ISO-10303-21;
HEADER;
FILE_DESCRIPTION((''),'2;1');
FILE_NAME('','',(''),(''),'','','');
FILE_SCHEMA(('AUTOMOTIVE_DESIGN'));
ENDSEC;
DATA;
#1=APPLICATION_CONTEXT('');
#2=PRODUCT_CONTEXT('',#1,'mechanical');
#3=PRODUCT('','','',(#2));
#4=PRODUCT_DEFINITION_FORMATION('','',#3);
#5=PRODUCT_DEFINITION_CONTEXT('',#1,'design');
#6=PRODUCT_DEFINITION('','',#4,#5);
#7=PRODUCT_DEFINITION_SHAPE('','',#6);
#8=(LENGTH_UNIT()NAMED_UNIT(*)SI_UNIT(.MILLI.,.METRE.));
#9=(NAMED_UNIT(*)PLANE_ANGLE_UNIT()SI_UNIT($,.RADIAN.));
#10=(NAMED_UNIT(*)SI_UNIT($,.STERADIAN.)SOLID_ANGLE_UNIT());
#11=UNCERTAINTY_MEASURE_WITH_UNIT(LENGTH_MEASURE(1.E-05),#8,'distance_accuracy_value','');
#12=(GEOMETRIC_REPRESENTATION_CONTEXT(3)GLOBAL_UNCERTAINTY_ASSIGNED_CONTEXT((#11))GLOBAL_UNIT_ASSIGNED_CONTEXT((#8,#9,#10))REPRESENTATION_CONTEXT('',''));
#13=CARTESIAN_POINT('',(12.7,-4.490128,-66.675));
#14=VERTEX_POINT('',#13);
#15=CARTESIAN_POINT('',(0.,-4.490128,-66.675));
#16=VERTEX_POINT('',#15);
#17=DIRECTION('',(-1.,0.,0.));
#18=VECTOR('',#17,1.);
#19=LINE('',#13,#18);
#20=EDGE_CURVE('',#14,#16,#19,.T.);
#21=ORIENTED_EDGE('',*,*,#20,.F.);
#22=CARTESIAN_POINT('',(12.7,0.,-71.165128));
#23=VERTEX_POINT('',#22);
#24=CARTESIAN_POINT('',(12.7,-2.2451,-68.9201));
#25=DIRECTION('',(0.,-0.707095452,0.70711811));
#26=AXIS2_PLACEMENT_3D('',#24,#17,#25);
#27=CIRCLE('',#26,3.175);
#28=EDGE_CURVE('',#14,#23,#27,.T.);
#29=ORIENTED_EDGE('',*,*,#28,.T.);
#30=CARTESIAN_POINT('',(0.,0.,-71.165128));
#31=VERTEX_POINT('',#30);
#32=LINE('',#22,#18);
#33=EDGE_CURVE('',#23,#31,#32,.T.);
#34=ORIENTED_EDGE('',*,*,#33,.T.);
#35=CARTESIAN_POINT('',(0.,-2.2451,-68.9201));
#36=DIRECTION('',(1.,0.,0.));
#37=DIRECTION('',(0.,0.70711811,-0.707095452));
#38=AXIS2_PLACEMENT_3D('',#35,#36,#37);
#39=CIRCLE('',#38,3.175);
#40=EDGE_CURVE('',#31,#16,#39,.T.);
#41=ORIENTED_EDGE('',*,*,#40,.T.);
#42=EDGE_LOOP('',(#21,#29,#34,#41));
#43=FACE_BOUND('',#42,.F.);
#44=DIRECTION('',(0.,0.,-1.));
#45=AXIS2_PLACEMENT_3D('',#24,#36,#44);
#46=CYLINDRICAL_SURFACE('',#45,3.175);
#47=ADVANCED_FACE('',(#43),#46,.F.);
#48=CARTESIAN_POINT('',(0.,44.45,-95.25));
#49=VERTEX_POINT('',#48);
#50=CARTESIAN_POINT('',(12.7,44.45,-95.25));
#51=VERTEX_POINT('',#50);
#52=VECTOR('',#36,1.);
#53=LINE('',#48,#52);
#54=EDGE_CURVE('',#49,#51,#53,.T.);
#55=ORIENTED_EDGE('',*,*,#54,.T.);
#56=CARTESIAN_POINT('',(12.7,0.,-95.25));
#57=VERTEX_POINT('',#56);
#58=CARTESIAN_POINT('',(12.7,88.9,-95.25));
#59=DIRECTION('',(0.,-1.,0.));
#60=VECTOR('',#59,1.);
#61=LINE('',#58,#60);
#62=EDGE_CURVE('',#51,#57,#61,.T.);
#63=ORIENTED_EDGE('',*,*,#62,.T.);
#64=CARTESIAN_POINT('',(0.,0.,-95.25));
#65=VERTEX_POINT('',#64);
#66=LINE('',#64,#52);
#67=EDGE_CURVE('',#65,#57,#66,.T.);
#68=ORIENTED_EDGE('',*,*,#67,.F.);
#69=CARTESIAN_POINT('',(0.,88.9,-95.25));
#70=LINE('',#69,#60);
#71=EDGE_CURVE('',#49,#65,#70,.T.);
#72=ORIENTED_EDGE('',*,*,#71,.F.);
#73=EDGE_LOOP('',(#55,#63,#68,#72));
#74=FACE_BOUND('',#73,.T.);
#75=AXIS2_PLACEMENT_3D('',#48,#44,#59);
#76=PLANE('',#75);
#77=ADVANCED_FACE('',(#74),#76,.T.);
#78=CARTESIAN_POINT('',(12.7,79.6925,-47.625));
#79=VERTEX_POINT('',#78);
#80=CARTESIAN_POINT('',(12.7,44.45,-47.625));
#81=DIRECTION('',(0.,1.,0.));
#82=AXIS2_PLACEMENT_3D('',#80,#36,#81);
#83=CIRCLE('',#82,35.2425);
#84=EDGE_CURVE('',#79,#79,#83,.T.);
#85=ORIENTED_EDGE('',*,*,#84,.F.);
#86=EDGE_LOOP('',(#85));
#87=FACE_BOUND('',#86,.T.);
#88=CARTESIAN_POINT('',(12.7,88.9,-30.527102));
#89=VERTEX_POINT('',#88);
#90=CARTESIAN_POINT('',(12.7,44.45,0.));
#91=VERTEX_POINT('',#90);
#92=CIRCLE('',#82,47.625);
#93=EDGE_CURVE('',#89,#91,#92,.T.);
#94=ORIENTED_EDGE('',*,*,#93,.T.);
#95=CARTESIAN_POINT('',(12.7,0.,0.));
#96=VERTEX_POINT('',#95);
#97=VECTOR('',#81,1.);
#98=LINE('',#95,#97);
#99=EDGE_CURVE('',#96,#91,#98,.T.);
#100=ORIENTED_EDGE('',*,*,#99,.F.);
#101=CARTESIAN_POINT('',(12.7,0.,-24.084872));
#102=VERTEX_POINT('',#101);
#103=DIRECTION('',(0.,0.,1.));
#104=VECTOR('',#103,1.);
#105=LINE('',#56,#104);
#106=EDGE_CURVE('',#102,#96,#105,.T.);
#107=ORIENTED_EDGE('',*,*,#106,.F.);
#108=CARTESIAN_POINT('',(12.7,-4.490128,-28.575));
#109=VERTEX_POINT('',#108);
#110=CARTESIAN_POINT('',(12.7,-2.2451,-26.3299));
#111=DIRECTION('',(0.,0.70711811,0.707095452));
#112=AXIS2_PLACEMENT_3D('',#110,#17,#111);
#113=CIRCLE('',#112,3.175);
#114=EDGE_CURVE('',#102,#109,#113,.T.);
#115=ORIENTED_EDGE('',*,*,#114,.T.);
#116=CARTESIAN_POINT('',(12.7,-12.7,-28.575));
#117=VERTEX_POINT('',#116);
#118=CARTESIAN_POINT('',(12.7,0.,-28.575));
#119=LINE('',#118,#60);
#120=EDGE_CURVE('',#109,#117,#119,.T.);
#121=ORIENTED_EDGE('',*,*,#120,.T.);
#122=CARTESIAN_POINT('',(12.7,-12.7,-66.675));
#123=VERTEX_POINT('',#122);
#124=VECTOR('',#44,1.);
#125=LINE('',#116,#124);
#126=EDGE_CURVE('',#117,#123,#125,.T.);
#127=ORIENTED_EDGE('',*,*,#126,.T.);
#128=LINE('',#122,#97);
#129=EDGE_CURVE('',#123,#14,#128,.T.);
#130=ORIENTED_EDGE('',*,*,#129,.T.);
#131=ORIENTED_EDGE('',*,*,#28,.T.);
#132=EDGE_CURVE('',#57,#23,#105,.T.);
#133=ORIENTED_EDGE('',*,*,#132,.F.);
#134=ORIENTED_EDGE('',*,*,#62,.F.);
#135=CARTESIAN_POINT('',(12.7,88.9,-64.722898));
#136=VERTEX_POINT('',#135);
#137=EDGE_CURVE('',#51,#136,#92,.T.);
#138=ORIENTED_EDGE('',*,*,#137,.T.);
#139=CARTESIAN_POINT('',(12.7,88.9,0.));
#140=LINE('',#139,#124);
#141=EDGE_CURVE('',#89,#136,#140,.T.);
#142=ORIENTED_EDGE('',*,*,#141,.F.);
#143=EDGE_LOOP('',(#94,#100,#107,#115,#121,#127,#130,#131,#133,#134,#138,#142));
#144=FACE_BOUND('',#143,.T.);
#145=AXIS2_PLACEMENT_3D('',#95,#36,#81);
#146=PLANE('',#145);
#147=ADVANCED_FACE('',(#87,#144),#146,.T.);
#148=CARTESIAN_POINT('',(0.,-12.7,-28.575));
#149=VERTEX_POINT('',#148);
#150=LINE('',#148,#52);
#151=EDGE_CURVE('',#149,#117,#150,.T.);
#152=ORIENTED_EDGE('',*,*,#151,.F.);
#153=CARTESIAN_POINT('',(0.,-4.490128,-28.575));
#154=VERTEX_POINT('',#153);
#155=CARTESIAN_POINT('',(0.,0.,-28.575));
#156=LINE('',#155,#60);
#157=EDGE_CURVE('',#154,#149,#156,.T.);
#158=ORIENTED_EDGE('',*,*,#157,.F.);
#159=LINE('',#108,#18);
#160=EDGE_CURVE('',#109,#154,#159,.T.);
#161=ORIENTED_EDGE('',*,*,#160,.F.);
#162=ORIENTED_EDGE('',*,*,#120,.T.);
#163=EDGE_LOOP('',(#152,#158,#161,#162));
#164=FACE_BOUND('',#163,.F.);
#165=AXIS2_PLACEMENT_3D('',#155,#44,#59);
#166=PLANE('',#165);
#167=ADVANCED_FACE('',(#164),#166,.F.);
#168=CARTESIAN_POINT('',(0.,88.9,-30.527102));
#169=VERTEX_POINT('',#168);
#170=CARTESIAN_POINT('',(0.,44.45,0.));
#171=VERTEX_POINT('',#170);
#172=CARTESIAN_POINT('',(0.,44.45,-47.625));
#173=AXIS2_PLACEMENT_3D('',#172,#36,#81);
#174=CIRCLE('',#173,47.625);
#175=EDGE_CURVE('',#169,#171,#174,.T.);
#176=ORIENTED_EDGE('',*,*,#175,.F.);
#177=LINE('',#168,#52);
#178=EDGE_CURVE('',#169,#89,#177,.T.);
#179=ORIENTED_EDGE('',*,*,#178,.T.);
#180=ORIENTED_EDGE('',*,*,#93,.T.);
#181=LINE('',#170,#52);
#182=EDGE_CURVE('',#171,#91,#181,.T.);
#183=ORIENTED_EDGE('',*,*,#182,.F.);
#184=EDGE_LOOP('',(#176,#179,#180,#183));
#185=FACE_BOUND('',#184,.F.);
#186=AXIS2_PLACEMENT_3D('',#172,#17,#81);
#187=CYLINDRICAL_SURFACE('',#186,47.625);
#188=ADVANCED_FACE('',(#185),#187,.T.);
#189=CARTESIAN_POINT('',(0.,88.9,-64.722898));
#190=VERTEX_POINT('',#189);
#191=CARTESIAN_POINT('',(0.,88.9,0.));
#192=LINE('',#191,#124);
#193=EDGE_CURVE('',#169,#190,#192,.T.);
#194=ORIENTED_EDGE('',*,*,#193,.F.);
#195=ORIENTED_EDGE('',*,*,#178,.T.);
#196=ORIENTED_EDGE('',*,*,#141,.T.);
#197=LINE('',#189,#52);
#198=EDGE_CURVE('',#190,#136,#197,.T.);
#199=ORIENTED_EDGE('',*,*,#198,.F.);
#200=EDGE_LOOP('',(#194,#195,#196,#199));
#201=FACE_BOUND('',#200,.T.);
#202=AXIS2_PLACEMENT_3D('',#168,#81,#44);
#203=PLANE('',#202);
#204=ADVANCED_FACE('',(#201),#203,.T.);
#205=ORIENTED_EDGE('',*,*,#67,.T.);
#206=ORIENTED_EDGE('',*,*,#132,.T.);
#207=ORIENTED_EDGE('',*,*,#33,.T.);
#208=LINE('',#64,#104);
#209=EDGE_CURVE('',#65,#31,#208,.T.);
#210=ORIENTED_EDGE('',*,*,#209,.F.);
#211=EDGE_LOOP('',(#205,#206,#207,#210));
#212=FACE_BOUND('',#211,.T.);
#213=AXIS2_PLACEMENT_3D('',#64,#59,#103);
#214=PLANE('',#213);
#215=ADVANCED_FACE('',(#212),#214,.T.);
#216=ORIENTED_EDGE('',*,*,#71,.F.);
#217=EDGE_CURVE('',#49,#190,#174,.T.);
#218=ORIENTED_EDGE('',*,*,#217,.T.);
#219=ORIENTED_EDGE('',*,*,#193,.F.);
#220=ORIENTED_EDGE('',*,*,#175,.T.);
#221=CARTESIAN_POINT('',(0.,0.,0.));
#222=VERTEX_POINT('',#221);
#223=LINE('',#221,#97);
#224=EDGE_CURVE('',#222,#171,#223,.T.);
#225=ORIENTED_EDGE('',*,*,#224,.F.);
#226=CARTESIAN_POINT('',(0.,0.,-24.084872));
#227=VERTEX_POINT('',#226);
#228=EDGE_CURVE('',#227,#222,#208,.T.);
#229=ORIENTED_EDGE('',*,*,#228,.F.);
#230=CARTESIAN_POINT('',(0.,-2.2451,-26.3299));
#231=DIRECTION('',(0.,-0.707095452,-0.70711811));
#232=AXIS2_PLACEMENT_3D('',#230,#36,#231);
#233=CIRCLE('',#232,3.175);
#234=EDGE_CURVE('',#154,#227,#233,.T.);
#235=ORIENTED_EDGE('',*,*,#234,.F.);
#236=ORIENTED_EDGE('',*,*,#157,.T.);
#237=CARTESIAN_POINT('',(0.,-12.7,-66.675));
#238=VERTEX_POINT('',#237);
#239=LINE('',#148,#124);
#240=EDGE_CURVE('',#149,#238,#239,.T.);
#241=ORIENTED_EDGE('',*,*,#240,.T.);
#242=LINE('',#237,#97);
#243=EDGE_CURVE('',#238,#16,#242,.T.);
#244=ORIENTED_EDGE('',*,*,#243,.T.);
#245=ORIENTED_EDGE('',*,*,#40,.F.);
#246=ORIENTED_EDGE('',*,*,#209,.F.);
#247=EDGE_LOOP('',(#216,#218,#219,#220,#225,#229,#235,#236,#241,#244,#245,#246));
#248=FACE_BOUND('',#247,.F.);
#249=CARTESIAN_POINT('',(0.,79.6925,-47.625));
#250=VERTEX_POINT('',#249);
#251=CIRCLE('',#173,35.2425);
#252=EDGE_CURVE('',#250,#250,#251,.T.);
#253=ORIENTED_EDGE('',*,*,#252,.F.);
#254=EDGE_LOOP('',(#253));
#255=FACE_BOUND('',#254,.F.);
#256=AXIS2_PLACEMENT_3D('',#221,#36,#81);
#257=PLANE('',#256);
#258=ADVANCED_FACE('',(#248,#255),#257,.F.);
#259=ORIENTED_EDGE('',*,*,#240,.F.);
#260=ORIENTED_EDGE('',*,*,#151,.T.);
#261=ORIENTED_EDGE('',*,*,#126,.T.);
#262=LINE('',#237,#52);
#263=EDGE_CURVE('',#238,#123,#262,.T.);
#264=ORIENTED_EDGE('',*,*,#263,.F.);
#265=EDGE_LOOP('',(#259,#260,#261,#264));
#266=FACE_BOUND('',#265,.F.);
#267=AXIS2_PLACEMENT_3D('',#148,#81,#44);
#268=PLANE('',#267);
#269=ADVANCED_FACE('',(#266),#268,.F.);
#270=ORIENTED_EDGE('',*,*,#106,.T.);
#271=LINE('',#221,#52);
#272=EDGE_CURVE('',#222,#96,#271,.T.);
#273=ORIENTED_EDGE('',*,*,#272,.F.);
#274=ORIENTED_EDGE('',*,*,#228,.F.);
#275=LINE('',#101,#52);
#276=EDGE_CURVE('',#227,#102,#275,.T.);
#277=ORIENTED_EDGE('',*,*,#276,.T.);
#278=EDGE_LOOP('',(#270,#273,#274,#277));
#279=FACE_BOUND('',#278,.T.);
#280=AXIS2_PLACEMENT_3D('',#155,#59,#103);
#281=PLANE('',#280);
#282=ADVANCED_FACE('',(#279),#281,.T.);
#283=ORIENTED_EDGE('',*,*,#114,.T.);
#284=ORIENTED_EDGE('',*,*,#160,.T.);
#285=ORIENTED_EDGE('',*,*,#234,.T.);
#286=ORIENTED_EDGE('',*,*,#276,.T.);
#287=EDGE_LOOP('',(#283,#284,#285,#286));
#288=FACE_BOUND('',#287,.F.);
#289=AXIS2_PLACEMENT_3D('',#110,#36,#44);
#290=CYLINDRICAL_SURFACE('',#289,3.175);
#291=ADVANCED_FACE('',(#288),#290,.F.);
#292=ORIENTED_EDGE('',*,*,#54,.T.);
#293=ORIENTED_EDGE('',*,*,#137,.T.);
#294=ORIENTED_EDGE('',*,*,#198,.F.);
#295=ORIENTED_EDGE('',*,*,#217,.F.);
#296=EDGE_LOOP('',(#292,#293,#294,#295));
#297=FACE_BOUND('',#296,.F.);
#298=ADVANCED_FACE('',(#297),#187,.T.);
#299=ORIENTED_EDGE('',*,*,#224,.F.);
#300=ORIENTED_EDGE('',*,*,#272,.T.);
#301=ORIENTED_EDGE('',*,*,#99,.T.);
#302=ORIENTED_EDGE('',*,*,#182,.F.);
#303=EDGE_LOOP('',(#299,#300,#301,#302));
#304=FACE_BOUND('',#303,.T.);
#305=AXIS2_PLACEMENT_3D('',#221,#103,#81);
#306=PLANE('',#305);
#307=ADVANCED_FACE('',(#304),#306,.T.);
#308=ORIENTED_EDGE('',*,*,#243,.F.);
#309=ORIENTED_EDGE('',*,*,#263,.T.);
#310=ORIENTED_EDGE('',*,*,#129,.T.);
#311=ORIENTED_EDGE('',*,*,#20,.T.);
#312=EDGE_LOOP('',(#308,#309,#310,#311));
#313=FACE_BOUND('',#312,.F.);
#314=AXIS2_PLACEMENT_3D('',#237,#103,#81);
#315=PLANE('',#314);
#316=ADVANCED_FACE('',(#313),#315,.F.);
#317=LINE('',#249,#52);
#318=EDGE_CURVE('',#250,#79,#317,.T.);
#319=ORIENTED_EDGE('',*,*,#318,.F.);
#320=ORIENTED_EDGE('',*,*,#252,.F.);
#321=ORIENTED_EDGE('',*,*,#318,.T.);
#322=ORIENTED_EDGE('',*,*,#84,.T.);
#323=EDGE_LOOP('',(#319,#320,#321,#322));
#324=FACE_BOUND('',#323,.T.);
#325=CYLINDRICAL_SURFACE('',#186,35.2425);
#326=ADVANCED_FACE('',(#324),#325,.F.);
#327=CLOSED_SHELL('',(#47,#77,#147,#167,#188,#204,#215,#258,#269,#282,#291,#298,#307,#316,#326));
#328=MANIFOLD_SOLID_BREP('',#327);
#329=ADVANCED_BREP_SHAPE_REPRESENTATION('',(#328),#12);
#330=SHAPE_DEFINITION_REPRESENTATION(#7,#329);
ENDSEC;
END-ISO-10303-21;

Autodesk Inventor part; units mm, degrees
ref_plane "YZ Plane" through (0, 0, 0) normal (1, 0, 0) x (0, 1, 0)
ref_plane "XZ Plane" through (0, 0, 0) normal (0, 1, 0) x (-1, 0, 0)
ref_plane "XY Plane" through (0, 0, 0) normal (0, 0, 1) x (1, 0, 0)
sketch "Sketch1" plane through (0, 0, 0) normal (1, 0, 0) x (0, 1, 0)
  line L0 (0, 0) -> (88.9, 0)
  line L1 (88.9, 0) -> (88.9, -95.25)
  line L2 (88.9, -95.25) -> (0, -95.25)
  line L3 (0, -95.25) -> (0, 0)
  line L4 (0, -28.575) -> (-12.7, -28.575)
  line L5 (-12.7, -28.575) -> (-12.7, -66.675)
  line L6 (-12.7, -66.675) -> (0, -66.675)
  line L7 (0, -66.675) -> (0, -28.575)
  circle A0 centre (44.45, -47.625) radius 47.625
  circle A1 centre (44.45, -47.625) radius 35.2425
  point P0 (-12.7, -47.625)
  point P1 (0, -66.675)
  point P2 (44.45, -95.25)
  point P3 (88.9, -64.7229)
  point P4 (88.9, -30.5271)
  point P5 (44.45, 0)
  dimension "d0" = 88.9
  dimension "d1" = 95.25
  dimension "d2" = 12.7
  dimension "d3" = 38.1
  dimension "d4" = 47.625
  dimension "d5" = 95.25
  dimension "d6" = 70.485
extrude "Extrusion1" add sketch "Sketch1" along normal blind 12.7 contours L0 A0 L3 | A0 L1 L3 | L3 A0 L6 L5 L4 | L3 A0 | A0 L2 L3
sketch "Sketch2" plane through (12.7, 0, 0) normal (1, 0, 0) x (0, 0, -1)
  line L0 (28.575, 0) -> (28.575, -12.7) projected
  line L1 (28.575, 0) -> (26.3299, -2.2451)
  line L2 (66.675, -12.7) -> (66.675, 0) projected
  line L3 (66.675, 0) -> (68.9201, -2.2451)
  line L4 (66.675, 0) -> (95.25, 0) projected
  circle A0 centre (68.9201, -2.2451) radius 3.175
  circle A1 centre (26.3299, -2.2451) radius 3.175
  point P0 (0, 0)
  dimension "d9" = 3.175
  dimension "d10" = 45
  dimension "d11" = 3.175
  dimension "d12" = 45
  dimension "d13" = 6.35
  dimension "d14" = 6.35
extrude "Extrusion2" cut sketch "Sketch2" against normal blind 12.7
properties part number "Motor Mount"
